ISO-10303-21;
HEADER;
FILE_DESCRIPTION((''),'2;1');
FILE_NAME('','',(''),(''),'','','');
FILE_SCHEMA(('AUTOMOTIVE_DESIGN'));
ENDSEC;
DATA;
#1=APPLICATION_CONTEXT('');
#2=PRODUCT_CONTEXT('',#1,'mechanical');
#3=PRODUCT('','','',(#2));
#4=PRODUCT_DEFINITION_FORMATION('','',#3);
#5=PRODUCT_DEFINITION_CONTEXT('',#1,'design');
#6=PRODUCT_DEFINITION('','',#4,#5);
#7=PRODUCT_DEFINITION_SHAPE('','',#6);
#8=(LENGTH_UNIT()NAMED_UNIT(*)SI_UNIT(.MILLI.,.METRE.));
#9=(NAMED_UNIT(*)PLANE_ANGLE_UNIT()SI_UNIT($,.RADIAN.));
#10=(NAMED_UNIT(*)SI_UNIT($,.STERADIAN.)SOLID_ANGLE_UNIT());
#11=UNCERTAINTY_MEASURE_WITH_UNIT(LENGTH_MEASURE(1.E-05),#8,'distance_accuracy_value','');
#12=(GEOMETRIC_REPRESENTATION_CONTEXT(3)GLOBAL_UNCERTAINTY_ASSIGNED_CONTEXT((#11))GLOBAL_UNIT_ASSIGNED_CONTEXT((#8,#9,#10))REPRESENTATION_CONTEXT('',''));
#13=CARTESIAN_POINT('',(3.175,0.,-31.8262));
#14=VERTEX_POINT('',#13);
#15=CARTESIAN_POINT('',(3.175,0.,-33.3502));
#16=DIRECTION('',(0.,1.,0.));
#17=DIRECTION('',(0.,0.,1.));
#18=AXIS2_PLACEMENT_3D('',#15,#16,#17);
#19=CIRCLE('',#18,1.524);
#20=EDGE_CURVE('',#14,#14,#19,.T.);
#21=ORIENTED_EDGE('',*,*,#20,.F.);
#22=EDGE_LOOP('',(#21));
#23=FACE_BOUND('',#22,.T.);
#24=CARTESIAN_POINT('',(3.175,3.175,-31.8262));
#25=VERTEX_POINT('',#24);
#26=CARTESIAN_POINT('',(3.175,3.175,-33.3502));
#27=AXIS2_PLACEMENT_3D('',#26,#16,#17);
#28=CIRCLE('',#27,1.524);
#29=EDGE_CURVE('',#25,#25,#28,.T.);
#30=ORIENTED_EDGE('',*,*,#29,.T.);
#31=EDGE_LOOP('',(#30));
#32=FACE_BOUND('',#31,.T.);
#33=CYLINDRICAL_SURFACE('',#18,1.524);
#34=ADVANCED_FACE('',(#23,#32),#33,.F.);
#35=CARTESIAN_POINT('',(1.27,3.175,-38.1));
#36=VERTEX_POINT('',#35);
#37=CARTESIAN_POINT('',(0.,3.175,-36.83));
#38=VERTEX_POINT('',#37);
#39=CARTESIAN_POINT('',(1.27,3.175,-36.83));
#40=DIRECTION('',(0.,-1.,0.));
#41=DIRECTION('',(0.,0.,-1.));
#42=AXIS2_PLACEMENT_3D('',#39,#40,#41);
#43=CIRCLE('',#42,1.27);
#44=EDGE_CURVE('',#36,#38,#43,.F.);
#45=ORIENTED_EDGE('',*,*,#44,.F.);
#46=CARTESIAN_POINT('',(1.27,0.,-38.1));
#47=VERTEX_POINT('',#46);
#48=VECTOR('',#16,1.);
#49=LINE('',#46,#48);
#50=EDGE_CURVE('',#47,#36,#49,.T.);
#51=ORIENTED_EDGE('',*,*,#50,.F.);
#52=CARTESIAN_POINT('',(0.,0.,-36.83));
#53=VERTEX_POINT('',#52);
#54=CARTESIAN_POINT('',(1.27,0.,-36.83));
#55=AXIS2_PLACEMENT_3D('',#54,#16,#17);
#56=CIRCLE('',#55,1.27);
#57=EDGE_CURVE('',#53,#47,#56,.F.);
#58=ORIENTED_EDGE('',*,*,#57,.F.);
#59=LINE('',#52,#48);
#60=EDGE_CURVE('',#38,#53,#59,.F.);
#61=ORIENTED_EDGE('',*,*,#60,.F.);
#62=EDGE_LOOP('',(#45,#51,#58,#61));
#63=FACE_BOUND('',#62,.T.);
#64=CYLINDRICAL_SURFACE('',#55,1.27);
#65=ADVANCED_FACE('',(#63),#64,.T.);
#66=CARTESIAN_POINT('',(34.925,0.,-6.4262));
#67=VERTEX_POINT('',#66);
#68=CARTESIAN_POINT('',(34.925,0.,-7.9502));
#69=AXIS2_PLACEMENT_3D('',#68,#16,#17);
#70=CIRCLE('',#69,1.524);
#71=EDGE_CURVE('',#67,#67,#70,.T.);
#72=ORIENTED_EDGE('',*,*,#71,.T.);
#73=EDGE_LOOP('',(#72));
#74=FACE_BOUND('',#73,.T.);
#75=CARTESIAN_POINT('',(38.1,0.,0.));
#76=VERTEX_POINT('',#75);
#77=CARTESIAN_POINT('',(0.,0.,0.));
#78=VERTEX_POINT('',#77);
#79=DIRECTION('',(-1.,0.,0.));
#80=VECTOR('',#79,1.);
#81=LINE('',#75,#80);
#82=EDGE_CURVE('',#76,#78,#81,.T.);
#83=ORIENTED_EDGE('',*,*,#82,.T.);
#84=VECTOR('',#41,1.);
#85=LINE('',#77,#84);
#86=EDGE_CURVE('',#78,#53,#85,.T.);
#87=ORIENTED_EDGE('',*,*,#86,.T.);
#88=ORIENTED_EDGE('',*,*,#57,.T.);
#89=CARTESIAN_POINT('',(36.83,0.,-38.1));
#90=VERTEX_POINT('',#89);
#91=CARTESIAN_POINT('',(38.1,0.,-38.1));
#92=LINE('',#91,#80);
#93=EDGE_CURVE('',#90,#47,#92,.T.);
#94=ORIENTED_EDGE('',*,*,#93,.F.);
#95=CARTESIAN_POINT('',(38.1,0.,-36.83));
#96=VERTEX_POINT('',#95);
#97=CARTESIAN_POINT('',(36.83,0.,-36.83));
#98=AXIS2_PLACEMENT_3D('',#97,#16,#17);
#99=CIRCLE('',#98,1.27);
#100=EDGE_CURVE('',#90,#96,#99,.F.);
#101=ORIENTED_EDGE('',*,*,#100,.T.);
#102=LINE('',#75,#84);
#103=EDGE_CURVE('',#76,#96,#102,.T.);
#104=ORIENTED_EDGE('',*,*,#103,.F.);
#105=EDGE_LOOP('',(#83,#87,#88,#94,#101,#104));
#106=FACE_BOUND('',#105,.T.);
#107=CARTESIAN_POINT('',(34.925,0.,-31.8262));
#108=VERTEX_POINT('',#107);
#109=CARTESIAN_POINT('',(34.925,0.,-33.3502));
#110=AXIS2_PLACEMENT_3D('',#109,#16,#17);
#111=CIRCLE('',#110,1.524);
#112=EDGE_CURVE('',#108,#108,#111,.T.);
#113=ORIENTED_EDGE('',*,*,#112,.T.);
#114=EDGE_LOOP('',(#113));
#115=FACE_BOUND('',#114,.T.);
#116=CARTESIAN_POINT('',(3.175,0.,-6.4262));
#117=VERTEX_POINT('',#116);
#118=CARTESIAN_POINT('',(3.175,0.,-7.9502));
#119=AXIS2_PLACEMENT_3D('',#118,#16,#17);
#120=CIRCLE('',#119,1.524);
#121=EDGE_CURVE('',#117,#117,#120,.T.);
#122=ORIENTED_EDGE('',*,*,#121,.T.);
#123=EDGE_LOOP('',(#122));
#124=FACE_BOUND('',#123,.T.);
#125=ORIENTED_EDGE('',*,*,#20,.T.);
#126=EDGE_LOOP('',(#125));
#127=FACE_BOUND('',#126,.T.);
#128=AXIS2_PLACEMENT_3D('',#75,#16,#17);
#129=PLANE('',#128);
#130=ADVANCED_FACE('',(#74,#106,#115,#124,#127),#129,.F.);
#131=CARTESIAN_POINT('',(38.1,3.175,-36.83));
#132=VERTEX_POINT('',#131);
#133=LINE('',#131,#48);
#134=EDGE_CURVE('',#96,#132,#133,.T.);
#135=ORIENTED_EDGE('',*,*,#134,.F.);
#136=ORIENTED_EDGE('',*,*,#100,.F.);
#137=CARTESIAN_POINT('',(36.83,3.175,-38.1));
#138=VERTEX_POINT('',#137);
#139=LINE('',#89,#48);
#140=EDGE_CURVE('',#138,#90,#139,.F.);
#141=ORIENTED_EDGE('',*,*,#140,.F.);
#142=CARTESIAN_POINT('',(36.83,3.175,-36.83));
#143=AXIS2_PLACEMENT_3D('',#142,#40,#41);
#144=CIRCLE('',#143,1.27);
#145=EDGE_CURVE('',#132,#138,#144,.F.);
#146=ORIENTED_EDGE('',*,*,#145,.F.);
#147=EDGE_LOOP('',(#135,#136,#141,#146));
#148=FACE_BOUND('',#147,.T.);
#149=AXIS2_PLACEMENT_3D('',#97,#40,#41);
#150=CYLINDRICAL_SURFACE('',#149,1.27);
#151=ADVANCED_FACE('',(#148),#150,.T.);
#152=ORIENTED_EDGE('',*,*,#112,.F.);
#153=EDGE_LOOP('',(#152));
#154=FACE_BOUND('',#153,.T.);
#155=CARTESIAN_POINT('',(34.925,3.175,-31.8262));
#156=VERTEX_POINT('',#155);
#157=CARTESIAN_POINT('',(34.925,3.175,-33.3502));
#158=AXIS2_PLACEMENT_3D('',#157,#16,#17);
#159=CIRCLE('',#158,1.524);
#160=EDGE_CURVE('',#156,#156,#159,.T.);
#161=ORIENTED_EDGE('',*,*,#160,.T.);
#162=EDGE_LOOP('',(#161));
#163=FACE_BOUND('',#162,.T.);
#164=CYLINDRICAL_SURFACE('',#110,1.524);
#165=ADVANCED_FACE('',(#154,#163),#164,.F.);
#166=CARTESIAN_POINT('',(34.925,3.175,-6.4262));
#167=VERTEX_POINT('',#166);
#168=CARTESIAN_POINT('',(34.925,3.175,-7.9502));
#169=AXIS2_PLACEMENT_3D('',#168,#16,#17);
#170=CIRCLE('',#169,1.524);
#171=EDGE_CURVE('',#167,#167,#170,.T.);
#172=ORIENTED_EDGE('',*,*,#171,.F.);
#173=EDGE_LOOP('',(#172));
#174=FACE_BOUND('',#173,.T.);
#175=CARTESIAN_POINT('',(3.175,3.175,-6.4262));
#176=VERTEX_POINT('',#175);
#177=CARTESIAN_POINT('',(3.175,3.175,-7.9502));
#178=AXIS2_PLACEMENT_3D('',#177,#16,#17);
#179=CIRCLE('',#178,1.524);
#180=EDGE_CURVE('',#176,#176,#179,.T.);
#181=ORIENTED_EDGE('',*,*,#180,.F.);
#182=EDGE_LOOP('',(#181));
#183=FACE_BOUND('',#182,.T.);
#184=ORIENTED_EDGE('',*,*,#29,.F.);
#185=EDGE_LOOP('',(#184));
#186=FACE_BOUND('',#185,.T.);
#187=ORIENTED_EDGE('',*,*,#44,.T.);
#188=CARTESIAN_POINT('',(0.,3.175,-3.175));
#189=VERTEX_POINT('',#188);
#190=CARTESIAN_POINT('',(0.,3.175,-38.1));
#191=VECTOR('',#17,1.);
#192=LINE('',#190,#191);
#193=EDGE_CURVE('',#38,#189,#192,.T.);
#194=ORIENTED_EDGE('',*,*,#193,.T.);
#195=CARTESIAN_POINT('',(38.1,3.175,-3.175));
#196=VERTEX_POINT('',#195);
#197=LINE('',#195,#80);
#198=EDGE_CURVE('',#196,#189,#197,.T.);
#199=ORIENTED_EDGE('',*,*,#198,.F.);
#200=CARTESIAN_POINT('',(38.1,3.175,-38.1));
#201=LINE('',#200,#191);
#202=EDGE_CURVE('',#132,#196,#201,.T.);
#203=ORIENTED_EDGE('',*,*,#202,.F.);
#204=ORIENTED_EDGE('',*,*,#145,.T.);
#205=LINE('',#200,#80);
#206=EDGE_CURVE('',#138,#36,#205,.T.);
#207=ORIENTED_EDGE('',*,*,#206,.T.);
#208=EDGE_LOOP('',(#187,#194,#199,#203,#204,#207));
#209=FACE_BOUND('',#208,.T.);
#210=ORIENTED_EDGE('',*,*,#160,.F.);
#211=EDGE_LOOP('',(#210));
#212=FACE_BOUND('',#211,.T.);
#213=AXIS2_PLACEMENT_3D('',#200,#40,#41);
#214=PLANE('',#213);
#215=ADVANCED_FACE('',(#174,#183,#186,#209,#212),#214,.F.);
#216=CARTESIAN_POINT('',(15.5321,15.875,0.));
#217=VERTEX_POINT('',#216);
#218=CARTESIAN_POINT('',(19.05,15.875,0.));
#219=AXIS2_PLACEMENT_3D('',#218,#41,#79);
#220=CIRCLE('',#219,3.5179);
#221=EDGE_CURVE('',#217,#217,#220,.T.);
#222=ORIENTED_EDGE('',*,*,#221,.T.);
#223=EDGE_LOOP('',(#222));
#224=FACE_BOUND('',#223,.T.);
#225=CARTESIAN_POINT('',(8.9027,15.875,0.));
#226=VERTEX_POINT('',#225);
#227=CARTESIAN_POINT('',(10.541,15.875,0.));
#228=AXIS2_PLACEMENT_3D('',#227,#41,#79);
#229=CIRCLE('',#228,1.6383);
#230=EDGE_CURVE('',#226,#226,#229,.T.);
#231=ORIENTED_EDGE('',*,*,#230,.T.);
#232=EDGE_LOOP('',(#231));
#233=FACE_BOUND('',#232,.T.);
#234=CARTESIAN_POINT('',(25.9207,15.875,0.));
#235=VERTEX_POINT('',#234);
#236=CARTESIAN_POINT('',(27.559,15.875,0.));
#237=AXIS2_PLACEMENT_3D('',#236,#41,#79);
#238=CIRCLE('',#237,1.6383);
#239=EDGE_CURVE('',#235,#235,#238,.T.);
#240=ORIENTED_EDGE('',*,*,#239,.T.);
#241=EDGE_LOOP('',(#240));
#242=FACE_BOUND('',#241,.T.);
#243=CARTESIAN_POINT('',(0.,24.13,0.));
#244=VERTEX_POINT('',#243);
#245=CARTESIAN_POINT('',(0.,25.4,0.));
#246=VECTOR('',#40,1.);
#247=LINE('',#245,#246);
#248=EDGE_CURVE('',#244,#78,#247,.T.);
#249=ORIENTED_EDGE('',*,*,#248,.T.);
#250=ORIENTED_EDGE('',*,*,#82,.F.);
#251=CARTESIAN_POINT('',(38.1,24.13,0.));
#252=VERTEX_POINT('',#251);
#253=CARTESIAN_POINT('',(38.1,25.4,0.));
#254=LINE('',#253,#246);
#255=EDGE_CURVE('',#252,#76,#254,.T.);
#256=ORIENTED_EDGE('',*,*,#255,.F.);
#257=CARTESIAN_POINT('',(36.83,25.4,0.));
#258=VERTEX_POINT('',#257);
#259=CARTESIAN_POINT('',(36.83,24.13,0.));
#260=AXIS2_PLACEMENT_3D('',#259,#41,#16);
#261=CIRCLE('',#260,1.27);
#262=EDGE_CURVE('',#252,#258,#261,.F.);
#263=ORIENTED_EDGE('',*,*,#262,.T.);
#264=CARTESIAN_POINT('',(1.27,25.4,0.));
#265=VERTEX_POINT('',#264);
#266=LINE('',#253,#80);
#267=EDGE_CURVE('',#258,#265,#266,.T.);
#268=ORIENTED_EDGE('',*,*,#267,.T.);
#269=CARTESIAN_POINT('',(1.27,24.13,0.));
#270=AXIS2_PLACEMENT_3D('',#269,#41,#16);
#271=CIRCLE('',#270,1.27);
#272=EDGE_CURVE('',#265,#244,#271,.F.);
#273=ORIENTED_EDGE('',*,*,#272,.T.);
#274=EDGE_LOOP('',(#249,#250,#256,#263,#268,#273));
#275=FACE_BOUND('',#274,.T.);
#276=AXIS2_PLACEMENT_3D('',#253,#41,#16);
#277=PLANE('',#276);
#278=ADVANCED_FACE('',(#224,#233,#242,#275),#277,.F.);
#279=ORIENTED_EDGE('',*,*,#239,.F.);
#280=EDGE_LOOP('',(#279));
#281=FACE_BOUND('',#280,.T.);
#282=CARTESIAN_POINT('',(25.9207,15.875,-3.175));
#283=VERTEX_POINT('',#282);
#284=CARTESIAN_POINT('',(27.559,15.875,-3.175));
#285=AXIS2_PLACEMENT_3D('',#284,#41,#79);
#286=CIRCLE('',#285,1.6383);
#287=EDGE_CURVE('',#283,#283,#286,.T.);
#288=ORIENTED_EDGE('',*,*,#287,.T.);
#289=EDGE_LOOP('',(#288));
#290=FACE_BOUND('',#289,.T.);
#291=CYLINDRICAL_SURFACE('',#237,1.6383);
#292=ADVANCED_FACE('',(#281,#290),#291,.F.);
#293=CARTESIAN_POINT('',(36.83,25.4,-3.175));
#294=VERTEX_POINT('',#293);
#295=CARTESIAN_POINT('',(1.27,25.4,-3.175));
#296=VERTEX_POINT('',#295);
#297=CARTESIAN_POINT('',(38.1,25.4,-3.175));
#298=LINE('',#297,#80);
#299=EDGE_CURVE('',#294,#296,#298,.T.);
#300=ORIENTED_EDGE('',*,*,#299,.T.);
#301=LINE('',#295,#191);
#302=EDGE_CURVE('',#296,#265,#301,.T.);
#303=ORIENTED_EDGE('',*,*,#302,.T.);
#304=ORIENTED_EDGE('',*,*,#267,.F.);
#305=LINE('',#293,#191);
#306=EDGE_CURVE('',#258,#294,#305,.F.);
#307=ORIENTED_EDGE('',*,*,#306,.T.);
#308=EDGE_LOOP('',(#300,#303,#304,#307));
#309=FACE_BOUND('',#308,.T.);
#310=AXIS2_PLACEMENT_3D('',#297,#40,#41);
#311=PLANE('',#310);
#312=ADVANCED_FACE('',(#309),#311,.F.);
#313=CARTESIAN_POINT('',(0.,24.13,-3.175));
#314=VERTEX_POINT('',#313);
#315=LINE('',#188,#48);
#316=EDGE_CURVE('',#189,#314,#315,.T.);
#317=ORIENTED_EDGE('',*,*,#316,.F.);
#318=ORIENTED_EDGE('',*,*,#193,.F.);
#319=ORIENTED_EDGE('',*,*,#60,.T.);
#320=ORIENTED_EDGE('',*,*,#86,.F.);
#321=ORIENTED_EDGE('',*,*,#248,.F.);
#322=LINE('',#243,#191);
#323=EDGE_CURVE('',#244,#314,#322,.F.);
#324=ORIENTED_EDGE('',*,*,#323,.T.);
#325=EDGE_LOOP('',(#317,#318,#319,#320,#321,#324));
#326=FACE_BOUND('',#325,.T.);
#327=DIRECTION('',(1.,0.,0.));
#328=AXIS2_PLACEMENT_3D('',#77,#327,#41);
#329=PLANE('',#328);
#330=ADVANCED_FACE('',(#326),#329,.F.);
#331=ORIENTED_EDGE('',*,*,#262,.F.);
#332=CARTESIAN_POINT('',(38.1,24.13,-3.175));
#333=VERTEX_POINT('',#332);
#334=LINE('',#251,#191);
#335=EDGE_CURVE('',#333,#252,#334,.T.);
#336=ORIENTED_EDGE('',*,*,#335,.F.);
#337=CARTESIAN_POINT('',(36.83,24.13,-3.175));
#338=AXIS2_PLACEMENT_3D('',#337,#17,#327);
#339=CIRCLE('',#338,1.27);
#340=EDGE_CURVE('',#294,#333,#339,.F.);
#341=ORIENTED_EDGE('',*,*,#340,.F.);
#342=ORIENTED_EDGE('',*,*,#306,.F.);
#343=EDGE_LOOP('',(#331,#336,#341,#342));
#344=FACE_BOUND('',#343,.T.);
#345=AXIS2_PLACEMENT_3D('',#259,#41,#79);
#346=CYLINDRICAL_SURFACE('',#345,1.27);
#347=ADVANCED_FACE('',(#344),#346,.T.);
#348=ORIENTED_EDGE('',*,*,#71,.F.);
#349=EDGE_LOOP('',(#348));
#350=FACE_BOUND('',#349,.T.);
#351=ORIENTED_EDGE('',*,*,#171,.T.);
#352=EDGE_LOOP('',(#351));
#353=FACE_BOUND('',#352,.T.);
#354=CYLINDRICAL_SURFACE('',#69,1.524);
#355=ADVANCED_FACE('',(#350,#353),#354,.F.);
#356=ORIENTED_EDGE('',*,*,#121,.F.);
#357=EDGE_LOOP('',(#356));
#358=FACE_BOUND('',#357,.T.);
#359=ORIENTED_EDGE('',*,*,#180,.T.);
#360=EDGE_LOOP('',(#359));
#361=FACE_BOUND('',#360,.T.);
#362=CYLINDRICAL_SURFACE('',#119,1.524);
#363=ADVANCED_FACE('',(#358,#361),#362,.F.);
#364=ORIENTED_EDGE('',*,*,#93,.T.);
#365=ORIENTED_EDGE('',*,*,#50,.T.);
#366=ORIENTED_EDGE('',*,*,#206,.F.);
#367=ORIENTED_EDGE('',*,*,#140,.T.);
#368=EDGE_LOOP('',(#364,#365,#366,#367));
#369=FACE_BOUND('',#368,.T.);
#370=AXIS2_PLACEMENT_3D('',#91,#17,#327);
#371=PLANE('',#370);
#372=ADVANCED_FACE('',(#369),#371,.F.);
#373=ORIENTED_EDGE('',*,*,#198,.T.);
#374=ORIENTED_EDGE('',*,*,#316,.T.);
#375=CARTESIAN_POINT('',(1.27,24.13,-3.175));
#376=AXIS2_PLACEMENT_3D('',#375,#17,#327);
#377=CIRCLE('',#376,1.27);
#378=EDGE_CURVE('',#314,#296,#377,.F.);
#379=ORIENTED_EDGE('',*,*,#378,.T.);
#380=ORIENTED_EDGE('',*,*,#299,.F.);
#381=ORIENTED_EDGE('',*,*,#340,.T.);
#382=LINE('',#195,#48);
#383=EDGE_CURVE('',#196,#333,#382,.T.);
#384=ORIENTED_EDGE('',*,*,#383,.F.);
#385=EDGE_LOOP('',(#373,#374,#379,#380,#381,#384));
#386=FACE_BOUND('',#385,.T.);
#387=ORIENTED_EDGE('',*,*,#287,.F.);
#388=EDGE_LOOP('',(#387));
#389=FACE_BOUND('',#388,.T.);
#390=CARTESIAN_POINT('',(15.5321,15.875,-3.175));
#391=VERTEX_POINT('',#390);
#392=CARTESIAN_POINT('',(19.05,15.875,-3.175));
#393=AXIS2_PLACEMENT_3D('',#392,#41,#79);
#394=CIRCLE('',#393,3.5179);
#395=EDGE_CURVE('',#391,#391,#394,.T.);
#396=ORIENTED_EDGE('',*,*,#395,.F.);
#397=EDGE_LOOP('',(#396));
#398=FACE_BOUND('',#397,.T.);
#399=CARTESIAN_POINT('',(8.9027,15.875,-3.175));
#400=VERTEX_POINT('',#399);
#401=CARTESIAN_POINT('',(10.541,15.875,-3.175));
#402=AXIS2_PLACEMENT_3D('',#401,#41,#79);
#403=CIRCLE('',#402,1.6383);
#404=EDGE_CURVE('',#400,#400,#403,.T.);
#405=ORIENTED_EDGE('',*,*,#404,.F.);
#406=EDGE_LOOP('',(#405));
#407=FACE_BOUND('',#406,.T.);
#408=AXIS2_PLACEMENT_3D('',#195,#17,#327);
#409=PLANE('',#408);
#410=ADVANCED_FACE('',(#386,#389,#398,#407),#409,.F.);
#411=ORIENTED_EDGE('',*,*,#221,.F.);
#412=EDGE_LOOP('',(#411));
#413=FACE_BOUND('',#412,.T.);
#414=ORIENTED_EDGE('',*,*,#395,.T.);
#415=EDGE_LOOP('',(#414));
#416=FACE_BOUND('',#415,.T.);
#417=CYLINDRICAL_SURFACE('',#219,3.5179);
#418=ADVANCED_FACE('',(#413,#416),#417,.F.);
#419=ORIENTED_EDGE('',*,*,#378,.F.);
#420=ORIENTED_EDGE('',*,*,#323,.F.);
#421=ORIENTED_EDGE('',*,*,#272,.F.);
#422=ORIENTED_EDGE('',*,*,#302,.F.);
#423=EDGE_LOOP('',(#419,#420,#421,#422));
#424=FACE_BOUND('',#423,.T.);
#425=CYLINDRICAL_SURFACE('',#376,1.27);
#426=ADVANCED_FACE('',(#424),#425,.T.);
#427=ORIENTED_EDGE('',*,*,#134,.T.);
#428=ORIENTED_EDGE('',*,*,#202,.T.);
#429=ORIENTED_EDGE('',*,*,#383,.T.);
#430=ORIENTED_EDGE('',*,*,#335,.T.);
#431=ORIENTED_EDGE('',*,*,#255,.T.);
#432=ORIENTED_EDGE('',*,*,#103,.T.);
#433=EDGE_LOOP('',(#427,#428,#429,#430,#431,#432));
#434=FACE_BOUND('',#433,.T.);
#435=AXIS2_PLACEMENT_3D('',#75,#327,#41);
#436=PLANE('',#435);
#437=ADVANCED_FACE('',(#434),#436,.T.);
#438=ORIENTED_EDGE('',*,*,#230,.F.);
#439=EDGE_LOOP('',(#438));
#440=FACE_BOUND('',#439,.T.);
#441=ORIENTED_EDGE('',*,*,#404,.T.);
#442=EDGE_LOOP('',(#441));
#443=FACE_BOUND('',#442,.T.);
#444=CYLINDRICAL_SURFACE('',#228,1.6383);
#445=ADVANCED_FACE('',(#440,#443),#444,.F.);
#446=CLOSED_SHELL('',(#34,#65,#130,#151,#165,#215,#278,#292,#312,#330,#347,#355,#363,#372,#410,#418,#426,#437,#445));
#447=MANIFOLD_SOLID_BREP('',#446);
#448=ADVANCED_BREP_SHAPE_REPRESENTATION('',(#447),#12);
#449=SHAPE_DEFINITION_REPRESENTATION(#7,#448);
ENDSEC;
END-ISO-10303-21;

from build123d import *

# Parameters (mm, degrees)
BOSS_EXTRUDE1_DEPTH = 38.1
SKETCH3_R           = 3.5179
SKETCH3_R_2         = 1.6383
CUT_EXTRUDE1_DEPTH  = 4.175
FILLET1_R           = 1.27
SKETCH4_R           = 1.524
CUT_EXTRUDE2_DEPTH  = 4.175


with BuildPart() as part:
    # Sketch2 → Boss-Extrude1 (new body)
    with BuildSketch(Plane(origin=(0, 0, 0), x_dir=(0, 0, -1), z_dir=(1, 0, 0))):
        Polygon((0, 0), (38.1, 0), (38.1, 3.175), (3.175, 3.175), (3.175, 25.4), (0, 25.4), align=None)
    extrude(amount=BOSS_EXTRUDE1_DEPTH)

    # Sketch3 → Cut-Extrude1 (cut, through all)
    with BuildSketch(Plane(origin=(0, 0, -3.175), x_dir=(-1, 0, 0), z_dir=(0, 0, -1))):
        with Locations((-19.05, 15.875)):
            Circle(SKETCH3_R)
        with Locations((-10.541, 15.875)):
            Circle(SKETCH3_R_2)
        with Locations((-27.559, 15.875)):
            Circle(SKETCH3_R_2)
    extrude(amount=-CUT_EXTRUDE1_DEPTH, mode=Mode.SUBTRACT)

    # Fillet1
    fillet1_edges = [part.edges().sort_by_distance(p)[0] for p in [
        (38.1, 1.5875, -38.1),
        (38.1, 25.4, -1.5875),
        (0, 25.4, -1.5875),
        (0, 1.5875, -38.1),
    ]]
    fillet(fillet1_edges, radius=FILLET1_R)

    # Sketch4 → Cut-Extrude2 (cut, through all)
    with BuildSketch(Plane(origin=(0, 3.175, 0), x_dir=(1, 0, 0), z_dir=(0, 1, 0))):
        with Locations((3.175, 7.9502)):
            Circle(SKETCH4_R)
        with Locations((3.175, 33.3502)):
            Circle(SKETCH4_R)
        with Locations((34.925, 33.3502)):
            Circle(SKETCH4_R)
        with Locations((34.925, 7.9502)):
            Circle(SKETCH4_R)
    extrude(amount=-CUT_EXTRUDE2_DEPTH, mode=Mode.SUBTRACT)


solid = part.part
